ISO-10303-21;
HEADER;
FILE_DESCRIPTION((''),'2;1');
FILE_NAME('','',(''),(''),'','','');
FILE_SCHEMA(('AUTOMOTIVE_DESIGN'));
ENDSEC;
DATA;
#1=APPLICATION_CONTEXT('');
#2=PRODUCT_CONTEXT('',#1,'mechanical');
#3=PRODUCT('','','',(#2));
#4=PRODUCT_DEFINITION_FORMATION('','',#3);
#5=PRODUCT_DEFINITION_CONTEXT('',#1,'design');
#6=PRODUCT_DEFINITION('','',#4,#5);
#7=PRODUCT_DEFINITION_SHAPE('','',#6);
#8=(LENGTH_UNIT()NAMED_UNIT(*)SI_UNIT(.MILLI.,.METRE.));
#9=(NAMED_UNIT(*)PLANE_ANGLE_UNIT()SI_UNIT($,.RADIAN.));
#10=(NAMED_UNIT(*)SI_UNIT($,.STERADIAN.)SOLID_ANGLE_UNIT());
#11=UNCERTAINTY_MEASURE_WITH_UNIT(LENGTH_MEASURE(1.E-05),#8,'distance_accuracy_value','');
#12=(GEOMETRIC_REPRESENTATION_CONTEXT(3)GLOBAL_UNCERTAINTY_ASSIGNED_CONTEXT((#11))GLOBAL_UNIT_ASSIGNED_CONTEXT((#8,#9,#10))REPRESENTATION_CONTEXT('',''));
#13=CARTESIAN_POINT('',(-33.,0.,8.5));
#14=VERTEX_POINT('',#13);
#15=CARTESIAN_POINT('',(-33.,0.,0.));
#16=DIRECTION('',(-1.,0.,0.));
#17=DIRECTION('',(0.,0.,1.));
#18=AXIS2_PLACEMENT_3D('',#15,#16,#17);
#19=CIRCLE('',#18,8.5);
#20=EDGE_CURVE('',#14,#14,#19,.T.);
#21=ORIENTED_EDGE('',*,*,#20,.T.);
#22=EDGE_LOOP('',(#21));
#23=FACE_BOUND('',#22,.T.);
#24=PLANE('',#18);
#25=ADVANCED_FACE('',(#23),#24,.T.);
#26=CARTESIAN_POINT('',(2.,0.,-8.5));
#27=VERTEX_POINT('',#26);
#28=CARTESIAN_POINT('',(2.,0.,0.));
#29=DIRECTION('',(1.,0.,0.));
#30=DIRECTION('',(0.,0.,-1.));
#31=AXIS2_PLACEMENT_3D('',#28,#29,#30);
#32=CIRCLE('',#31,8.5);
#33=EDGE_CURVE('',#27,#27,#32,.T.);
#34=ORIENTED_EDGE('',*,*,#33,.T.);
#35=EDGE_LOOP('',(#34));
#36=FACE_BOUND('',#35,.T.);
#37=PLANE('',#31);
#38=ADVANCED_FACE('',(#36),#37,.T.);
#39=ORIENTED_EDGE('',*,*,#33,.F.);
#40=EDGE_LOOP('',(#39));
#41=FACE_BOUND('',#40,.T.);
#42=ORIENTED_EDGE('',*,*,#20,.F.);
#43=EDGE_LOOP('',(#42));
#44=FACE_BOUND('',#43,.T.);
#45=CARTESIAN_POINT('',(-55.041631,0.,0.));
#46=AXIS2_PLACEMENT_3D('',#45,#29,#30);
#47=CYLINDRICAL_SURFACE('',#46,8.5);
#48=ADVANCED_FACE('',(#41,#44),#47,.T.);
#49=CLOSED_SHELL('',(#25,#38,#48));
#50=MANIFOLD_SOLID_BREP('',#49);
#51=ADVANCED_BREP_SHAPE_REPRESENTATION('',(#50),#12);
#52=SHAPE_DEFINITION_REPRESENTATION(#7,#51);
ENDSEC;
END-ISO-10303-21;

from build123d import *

# Parameters (mm, degrees)
SKETCH1_R           = 8.5
BOSS_EXTRUDE1_DEPTH = 31
SKETCH1_2_R         = 8.5
BOSS_EXTRUDE2_DEPTH = 2
SKETCH2_R           = 8.5
BOSS_EXTRUDE3_DEPTH = 2


with BuildPart() as part:
    # Sketch1 → Boss-Extrude1 (new body)
    with BuildSketch(Plane(origin=(0, 0, 0), x_dir=(0, 0, -1), z_dir=(1, 0, 0))):
        Circle(SKETCH1_R)
    extrude(amount=-BOSS_EXTRUDE1_DEPTH)

    # Sketch1<2> → Boss-Extrude2 (add)
    with BuildSketch(Plane(origin=(0, 0, 0), x_dir=(0, 0, -1), z_dir=(1, 0, 0))):
        Circle(SKETCH1_2_R)
    extrude(amount=BOSS_EXTRUDE2_DEPTH)

    # Sketch2 → Boss-Extrude3 (add)
    with BuildSketch(Plane.ZY.offset(31)):
        Circle(SKETCH2_R)
    extrude(amount=BOSS_EXTRUDE3_DEPTH)


solid = part.part
